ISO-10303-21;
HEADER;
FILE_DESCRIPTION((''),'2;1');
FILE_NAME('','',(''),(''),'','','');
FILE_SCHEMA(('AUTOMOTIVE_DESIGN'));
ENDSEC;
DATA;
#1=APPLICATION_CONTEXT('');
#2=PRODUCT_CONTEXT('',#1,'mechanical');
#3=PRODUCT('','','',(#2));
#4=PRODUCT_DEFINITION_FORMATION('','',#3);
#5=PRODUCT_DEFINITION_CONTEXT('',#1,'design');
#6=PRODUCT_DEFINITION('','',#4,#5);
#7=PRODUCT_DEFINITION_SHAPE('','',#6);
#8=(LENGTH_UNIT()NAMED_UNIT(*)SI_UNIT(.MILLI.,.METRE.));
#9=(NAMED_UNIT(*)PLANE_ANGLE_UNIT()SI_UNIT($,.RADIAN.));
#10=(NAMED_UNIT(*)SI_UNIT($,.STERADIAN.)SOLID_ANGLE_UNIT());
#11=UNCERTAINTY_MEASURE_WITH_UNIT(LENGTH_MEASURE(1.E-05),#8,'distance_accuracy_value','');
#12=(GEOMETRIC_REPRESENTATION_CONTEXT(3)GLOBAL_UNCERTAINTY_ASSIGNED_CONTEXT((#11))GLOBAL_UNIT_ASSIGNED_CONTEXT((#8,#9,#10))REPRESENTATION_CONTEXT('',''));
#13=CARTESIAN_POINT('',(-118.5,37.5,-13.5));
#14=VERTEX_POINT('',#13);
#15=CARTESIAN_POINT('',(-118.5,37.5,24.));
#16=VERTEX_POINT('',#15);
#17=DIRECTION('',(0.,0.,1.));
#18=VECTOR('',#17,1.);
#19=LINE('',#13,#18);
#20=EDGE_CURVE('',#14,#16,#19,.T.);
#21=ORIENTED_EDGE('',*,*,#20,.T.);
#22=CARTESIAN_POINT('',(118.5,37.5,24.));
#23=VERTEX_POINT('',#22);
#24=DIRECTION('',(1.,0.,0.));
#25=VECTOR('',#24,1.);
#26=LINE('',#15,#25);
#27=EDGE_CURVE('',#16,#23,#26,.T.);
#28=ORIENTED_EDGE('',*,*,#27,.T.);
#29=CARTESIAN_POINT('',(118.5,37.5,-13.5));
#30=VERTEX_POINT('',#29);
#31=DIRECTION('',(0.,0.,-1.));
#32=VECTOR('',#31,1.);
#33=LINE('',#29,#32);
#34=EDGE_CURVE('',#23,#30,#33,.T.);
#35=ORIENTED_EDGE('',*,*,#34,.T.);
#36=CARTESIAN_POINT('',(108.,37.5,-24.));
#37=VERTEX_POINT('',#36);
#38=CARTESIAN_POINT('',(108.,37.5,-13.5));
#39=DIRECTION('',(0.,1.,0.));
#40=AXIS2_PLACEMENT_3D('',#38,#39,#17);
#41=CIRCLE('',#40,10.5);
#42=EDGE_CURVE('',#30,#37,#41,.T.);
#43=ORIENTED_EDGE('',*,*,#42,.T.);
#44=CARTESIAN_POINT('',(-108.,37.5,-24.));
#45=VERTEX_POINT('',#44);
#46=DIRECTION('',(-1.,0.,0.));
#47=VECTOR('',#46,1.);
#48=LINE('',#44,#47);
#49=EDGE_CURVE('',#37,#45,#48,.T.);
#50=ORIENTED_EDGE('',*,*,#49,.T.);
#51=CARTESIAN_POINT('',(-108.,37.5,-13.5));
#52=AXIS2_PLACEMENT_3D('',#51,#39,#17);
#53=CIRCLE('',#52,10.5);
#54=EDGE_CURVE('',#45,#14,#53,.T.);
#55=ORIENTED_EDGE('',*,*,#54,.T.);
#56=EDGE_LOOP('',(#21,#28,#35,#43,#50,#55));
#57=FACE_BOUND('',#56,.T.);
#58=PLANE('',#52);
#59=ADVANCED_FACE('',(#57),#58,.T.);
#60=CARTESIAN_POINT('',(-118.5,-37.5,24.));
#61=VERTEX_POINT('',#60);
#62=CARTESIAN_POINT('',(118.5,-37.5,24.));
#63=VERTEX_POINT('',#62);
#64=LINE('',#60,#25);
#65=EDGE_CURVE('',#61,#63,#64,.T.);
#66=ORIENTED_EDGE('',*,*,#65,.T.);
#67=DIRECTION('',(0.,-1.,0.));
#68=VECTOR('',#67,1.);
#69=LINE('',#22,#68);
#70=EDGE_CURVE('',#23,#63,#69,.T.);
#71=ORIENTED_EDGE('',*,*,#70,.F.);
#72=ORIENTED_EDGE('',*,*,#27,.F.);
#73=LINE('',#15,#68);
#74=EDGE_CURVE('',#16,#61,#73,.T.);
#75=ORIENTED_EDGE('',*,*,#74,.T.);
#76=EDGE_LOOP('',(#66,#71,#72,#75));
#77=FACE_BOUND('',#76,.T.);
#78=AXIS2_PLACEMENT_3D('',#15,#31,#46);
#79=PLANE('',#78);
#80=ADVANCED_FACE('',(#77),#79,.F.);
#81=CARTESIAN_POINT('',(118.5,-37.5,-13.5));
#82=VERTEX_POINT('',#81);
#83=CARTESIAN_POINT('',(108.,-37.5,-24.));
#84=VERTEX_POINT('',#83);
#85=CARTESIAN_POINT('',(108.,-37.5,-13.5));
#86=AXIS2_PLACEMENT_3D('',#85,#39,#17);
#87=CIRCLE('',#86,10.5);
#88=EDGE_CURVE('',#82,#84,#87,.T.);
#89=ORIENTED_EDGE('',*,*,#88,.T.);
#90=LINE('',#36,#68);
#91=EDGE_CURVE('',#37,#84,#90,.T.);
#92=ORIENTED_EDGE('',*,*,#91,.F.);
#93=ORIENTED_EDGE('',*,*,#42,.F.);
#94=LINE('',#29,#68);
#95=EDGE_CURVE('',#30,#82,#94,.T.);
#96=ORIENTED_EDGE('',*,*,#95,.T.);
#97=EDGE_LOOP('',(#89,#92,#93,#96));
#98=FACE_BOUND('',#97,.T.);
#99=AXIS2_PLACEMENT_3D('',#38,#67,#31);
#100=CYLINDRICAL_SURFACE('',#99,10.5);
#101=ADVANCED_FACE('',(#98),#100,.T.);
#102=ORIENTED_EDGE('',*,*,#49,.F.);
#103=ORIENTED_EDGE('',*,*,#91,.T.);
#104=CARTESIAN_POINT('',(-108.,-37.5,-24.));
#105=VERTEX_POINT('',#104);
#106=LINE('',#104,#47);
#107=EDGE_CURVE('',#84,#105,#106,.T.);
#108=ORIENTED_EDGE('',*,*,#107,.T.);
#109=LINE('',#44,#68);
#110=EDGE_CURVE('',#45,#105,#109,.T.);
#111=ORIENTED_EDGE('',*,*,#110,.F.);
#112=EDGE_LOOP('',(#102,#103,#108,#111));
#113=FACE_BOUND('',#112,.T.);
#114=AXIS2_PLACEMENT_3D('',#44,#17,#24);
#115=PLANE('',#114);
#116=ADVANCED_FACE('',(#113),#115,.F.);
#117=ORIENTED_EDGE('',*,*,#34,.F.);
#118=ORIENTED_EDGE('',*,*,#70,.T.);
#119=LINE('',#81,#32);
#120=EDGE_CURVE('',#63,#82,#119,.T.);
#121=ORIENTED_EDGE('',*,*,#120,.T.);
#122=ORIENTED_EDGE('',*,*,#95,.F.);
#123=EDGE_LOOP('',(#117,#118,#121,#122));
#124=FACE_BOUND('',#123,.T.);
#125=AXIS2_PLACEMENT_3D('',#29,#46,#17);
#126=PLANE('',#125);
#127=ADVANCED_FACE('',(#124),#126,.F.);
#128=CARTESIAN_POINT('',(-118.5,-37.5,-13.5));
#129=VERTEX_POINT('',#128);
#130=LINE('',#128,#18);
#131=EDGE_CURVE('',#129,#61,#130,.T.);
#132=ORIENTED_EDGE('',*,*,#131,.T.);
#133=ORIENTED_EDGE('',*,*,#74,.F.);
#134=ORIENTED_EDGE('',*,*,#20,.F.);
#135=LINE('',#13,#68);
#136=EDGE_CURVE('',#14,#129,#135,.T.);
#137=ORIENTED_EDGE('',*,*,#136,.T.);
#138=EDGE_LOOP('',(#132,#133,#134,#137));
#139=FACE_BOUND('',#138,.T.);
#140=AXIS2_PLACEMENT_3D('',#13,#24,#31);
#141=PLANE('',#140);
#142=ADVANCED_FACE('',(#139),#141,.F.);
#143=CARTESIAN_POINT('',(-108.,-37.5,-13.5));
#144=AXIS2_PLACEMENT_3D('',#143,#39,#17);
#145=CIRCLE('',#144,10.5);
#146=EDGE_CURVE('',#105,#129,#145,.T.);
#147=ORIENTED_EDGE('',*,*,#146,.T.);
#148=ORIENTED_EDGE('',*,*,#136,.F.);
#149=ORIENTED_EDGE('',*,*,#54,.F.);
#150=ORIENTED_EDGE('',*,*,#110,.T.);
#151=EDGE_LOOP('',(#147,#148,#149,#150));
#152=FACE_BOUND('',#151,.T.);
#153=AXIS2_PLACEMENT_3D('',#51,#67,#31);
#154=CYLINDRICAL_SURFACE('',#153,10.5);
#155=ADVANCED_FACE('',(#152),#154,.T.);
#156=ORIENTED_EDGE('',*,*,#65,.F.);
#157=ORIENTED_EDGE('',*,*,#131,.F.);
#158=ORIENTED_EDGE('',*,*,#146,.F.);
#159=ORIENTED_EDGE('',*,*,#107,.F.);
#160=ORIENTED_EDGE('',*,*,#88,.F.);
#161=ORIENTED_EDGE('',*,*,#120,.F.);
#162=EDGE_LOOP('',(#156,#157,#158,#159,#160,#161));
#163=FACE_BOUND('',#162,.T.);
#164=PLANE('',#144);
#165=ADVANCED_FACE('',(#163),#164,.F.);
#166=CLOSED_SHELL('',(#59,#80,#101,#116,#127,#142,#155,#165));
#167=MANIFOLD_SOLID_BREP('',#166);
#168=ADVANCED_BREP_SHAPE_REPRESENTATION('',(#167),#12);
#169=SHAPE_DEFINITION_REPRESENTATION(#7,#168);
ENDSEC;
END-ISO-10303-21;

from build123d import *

# Parameters (mm, degrees)
BOSS_EXTRUDE1_DEPTH = 37.5


with BuildPart() as part:
    # Sketch1 → Boss-Extrude1 (new, symmetric)
    with BuildSketch(Plane(origin=(0, 0, 0), x_dir=(1, 0, 0), z_dir=(0, 1, 0))):
        with BuildLine():
            Line((-108, 24), (108, 24))
            ThreePointArc((108, 24), (115.424621202, 20.924621202), (118.5, 13.5))
            Line((118.5, 13.5), (118.5, -24))
            Line((118.5, -24), (-118.5, -24))
            Line((-118.5, -24), (-118.5, 13.5))
            ThreePointArc((-118.5, 13.5), (-115.424621202, 20.924621202), (-108, 24))
        make_face()
    extrude(amount=BOSS_EXTRUDE1_DEPTH, both=True)


solid = part.part
